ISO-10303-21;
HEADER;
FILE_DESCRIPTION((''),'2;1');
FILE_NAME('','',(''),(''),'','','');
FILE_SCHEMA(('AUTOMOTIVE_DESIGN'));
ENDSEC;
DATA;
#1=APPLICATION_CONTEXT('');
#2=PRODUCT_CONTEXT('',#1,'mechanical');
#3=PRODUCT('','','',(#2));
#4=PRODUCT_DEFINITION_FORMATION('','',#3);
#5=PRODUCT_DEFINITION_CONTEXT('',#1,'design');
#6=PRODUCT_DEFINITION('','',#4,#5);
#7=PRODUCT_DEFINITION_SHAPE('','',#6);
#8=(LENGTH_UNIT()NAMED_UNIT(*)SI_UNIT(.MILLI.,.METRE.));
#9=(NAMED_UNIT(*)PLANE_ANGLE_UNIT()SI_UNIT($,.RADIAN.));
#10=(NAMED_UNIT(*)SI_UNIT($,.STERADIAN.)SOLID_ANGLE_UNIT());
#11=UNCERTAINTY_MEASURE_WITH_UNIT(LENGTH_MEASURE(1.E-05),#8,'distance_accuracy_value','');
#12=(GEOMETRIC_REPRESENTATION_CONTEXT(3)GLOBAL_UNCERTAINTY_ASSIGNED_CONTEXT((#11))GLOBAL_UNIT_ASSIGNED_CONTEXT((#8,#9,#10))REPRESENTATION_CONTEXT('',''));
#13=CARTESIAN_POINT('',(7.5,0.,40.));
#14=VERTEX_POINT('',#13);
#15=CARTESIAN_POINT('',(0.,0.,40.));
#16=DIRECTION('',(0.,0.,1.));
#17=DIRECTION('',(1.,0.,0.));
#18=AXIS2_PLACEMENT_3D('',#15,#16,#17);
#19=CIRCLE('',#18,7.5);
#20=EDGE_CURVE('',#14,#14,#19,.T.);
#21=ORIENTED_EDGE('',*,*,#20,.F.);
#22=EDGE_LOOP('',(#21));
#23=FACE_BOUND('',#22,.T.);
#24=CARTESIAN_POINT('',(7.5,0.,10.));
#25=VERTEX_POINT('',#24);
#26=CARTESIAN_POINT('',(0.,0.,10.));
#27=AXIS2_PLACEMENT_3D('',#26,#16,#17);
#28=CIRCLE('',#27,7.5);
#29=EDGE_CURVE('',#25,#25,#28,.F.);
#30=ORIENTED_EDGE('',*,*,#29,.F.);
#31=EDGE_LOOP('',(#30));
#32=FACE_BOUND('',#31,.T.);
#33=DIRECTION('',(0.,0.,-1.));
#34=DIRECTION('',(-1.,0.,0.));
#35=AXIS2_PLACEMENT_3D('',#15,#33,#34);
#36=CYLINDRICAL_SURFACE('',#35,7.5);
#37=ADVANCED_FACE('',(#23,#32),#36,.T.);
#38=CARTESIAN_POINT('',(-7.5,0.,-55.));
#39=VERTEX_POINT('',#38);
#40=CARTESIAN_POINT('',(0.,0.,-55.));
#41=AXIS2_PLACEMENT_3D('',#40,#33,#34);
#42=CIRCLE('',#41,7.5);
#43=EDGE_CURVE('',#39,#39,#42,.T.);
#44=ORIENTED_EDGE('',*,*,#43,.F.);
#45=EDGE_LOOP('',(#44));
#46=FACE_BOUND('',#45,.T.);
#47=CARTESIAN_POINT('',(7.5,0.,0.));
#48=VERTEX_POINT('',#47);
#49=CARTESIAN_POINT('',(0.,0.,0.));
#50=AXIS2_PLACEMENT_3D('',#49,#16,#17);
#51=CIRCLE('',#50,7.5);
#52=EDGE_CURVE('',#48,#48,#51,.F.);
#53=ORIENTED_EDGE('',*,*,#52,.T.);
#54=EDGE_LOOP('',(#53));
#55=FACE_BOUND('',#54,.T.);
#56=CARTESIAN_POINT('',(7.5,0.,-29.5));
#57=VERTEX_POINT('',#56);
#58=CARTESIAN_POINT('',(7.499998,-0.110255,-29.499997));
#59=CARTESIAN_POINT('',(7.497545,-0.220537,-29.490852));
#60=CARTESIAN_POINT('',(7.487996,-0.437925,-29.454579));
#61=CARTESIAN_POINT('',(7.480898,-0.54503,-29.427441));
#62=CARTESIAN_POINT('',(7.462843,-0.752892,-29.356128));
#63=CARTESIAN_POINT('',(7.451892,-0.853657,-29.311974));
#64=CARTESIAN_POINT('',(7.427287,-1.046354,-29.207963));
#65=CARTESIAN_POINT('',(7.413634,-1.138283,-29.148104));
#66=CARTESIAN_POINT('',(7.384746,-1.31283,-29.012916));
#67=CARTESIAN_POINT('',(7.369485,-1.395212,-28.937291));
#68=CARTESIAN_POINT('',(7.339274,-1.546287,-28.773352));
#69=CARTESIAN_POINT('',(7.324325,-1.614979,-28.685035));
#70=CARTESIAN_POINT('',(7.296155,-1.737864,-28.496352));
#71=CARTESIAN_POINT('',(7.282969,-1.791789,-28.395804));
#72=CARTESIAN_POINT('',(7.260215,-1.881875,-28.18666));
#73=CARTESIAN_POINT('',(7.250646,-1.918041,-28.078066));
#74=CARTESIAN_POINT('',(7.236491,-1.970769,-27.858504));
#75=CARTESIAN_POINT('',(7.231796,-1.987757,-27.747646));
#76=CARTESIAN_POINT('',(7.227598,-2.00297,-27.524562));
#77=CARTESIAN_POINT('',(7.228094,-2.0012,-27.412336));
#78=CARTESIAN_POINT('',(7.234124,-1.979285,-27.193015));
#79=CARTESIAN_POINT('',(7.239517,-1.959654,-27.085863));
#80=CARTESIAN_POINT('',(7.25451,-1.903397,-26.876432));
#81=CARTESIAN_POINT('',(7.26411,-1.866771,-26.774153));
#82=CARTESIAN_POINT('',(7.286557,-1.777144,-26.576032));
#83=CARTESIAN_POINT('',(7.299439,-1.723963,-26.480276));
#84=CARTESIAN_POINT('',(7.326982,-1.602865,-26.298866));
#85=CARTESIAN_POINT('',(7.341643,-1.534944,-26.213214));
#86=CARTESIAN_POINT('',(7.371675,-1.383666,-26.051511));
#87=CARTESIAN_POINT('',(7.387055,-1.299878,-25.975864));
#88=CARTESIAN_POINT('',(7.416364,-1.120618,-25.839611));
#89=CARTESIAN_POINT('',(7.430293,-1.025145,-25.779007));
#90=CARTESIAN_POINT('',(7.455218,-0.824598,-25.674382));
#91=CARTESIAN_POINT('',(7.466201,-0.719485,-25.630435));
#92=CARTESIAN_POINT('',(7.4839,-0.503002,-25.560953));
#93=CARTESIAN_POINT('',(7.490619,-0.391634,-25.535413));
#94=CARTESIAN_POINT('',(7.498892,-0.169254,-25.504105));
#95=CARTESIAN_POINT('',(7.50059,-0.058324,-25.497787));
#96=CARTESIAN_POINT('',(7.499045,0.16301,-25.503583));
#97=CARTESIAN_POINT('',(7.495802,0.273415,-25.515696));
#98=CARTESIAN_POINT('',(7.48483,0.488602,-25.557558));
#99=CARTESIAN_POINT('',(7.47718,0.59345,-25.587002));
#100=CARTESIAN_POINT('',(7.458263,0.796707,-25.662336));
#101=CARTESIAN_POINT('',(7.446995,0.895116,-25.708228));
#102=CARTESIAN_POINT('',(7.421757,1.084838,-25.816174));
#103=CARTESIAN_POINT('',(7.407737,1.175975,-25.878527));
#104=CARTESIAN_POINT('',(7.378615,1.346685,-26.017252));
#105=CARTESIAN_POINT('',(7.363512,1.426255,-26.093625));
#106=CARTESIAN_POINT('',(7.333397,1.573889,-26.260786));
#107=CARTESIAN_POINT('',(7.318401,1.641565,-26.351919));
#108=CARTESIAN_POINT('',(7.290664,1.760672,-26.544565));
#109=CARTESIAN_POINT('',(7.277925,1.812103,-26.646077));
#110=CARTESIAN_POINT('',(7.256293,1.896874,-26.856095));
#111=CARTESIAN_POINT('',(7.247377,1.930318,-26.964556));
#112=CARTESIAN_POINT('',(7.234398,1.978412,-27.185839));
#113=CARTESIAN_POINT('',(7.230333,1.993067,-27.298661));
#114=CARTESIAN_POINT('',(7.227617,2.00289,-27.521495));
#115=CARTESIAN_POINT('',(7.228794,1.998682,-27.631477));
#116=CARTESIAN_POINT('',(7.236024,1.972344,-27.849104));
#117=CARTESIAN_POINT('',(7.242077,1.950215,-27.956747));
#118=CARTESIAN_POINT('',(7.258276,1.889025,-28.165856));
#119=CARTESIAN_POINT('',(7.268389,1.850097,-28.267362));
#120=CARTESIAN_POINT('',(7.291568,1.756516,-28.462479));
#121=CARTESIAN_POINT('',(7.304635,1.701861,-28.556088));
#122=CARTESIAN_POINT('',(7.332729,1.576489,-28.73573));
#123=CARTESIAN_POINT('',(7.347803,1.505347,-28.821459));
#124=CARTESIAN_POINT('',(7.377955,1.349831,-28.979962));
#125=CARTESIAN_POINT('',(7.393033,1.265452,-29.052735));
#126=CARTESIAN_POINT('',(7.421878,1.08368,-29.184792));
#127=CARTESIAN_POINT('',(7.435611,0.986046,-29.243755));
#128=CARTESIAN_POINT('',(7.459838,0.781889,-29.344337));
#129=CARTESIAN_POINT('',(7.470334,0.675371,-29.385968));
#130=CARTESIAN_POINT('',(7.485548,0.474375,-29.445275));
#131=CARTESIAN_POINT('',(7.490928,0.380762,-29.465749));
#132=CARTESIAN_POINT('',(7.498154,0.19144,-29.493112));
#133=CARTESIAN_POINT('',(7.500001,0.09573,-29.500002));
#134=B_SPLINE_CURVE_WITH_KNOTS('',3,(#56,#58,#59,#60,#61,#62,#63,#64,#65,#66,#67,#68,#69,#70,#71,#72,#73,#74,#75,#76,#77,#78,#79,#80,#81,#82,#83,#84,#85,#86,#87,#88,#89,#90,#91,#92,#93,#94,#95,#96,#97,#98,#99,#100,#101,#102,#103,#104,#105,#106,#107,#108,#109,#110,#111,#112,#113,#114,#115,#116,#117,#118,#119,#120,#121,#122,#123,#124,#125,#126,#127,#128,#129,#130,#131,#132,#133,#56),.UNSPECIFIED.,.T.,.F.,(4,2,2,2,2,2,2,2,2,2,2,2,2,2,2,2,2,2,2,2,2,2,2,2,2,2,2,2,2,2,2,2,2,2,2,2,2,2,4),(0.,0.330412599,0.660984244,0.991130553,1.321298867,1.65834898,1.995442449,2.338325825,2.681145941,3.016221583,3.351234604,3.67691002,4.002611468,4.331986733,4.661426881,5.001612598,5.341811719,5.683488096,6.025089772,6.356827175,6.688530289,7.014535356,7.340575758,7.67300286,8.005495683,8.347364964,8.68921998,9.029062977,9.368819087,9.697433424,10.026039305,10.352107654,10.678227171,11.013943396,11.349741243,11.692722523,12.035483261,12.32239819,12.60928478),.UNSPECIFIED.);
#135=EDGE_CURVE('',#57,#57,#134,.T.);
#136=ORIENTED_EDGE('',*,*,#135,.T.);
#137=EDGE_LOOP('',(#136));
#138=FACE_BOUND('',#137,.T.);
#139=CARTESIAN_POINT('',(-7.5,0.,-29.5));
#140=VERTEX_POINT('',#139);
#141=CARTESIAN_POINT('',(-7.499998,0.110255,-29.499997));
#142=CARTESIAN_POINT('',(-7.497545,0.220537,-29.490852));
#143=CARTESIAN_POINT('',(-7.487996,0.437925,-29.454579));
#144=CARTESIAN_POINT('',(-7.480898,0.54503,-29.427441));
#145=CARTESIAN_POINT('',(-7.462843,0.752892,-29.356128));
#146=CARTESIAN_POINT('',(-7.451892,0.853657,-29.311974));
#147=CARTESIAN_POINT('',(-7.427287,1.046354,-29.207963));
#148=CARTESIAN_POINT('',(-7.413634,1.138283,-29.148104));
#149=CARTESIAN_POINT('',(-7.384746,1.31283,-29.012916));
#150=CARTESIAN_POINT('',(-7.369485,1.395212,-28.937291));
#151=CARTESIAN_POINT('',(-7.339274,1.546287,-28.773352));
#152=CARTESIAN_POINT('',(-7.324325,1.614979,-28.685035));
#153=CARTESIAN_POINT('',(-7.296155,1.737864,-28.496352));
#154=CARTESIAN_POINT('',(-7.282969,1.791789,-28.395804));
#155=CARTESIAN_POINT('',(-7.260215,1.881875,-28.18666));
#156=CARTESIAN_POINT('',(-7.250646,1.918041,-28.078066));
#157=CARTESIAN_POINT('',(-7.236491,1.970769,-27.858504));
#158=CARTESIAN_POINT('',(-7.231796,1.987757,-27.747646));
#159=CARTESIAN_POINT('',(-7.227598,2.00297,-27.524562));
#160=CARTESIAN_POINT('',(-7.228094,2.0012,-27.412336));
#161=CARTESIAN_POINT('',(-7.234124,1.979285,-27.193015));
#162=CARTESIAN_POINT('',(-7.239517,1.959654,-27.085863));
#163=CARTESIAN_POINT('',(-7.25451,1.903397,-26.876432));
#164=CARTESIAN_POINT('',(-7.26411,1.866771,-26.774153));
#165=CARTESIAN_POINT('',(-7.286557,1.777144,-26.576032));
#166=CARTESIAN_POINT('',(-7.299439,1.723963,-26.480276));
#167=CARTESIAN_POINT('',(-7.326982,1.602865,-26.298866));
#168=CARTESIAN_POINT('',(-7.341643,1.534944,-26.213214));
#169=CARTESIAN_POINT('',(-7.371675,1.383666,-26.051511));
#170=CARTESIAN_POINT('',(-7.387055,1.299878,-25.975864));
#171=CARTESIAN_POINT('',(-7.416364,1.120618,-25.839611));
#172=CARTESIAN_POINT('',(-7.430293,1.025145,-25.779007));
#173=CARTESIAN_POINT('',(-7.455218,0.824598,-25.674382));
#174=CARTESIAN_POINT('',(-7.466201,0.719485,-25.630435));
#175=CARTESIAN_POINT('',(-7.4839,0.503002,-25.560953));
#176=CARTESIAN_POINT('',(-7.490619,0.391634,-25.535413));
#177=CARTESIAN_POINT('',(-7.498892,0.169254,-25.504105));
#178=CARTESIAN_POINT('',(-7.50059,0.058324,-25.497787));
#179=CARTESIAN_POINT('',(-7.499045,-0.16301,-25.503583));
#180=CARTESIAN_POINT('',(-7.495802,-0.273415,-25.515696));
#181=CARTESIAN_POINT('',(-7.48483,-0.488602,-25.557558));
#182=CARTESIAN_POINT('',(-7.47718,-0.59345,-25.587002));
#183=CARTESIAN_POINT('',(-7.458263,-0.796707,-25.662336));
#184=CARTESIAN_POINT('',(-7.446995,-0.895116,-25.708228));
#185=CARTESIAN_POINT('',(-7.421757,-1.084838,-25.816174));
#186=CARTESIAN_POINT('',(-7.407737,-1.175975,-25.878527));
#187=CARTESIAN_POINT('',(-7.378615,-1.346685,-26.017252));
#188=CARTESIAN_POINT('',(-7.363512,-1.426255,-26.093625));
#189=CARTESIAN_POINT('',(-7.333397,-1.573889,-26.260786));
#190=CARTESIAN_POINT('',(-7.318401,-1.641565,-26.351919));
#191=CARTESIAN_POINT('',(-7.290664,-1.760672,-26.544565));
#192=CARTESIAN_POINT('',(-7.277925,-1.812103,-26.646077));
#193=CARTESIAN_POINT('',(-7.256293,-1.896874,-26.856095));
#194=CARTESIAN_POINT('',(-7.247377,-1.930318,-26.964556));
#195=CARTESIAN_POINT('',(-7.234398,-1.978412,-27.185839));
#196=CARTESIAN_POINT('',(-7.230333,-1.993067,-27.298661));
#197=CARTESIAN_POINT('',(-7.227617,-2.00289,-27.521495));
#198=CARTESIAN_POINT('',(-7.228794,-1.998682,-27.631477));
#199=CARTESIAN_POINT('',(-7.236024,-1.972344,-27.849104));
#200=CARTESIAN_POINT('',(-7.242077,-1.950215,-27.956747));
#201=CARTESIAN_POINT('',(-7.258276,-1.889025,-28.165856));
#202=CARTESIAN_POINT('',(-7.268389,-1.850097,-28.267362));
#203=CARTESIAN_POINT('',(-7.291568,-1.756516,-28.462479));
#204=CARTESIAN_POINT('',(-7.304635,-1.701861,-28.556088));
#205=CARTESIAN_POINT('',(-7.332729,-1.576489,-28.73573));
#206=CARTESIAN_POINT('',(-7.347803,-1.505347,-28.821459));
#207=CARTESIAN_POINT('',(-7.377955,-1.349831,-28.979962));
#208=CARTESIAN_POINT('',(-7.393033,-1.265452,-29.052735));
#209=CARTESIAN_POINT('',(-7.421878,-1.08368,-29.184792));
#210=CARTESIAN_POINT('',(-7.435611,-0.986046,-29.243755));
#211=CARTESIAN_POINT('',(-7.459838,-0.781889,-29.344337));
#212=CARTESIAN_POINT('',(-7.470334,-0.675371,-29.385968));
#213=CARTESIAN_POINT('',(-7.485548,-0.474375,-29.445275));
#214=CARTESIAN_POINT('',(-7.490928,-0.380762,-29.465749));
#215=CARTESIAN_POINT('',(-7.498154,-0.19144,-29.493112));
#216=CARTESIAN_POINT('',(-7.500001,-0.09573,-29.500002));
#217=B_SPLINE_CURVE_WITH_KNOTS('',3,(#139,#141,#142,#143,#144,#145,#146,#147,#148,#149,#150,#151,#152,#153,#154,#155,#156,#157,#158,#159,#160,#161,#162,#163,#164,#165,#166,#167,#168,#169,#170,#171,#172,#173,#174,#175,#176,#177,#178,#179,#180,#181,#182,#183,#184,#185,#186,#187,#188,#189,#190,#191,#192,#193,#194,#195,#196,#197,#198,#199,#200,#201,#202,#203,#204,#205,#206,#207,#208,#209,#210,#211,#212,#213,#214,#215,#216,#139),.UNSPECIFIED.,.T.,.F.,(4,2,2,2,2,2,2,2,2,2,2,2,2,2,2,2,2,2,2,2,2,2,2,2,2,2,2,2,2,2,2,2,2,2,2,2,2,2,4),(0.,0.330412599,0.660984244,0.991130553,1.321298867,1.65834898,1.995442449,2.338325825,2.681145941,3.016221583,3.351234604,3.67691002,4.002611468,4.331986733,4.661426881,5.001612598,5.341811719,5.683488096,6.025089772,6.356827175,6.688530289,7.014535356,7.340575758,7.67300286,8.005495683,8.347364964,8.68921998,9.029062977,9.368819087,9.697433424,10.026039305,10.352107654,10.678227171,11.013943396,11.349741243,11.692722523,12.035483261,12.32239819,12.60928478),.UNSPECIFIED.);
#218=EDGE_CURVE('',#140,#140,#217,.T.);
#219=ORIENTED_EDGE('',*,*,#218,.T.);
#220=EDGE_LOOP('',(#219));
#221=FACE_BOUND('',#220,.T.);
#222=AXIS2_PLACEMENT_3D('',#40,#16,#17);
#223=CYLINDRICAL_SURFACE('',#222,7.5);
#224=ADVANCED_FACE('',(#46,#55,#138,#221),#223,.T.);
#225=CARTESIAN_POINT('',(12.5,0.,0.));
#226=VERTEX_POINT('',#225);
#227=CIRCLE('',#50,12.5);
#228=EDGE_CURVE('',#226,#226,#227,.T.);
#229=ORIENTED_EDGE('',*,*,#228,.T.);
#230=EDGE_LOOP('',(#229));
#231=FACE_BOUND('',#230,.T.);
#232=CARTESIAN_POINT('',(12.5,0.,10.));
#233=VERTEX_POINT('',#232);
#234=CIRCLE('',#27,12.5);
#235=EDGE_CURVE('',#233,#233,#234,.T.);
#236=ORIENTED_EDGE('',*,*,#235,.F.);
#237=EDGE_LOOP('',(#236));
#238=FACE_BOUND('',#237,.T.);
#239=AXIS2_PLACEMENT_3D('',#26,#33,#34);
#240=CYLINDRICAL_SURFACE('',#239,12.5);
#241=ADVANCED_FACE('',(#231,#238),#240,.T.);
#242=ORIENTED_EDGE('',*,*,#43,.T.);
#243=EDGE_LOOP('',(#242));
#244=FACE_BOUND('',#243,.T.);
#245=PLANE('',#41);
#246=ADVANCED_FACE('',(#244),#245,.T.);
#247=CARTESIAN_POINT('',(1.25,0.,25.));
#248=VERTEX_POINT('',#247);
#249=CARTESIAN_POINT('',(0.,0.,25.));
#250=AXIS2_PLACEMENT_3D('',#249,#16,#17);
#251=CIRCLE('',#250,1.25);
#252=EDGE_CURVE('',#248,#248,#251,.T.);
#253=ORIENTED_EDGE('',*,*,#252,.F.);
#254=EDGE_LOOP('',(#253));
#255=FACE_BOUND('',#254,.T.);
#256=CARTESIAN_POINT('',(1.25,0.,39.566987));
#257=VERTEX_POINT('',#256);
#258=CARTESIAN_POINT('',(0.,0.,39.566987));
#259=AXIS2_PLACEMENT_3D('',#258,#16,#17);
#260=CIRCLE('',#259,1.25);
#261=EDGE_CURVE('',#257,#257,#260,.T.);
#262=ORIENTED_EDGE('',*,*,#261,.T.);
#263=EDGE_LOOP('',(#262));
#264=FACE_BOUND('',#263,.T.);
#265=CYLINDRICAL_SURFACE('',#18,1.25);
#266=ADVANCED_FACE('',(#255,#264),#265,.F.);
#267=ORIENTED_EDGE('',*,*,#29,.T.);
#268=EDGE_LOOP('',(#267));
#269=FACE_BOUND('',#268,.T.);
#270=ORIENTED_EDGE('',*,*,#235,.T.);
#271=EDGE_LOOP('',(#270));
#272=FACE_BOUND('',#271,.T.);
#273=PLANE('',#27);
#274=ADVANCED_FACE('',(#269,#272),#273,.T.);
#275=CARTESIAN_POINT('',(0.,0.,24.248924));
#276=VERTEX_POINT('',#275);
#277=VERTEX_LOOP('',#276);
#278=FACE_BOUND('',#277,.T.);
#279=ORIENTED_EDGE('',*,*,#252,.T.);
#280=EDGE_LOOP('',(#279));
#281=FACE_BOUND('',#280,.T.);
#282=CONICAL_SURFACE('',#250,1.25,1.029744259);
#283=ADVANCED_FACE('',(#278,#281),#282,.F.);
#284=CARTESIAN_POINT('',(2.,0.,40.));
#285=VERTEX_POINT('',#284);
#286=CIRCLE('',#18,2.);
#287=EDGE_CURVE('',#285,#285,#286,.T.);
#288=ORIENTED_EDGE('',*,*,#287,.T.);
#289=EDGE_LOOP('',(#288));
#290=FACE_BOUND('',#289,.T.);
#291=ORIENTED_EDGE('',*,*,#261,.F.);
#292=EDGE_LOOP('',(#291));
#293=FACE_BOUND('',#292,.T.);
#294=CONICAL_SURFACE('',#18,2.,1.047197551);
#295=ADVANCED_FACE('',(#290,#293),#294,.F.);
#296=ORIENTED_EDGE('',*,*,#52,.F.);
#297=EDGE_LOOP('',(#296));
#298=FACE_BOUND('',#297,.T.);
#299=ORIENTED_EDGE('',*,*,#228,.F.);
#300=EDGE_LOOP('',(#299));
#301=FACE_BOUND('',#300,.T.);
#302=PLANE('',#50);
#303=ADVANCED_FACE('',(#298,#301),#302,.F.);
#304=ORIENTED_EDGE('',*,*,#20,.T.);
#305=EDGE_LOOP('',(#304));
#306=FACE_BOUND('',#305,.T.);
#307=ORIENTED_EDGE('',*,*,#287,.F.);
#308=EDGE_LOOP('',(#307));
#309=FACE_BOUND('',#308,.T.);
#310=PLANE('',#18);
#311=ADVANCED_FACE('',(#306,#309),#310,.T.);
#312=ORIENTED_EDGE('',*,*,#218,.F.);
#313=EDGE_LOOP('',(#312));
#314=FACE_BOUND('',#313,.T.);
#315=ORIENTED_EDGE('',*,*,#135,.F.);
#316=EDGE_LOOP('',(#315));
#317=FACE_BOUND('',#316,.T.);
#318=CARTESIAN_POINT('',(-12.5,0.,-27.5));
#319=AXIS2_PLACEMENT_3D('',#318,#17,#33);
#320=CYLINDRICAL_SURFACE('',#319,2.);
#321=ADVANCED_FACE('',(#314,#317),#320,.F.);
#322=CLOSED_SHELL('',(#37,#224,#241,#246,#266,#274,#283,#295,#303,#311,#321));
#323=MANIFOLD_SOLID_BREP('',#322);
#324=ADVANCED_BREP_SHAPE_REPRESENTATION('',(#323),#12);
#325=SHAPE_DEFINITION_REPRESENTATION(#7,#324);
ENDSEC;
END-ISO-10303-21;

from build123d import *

# Parameters (mm, degrees)
SKETCH1_R                       = 12.5
F_25MM_DIA_DEPTH                = 10
F_15MM_START                    = -10
SKETCH2_R                       = 7.5
F_15MM_DIA_BEARING_END_DEPTH    = 40
F_15MM_START_2                  = 55
SKETCH3_R                       = 7.5
F_15MM_DIA_GEAR_END_DEPTH       = 55
M3X0_5_TAPPED_HOLE1_D           = 2.5
M3X0_5_TAPPED_HOLE1_DEPTH       = 15
M3X0_5_TAPPED_HOLE1_CSINK_D     = 4
M3X0_5_TAPPED_HOLE1_CSINK_ANGLE = 120
M3X0_5_TAPPED_HOLE1_TIP         = 0.751075774
SKETCH7_R                       = 2
CUT_EXTRUDE1_DEPTH              = 60.843546018


with BuildPart() as part:
    # Sketch1 → 25mm dia (new body)
    with BuildSketch(Plane.XY):
        Circle(SKETCH1_R)
    extrude(amount=F_25MM_DIA_DEPTH)

    # Sketch2 → 15mm dia bearing end (add)
    with BuildSketch(Plane.XY.offset(10).offset(F_15MM_START)):
        Circle(SKETCH2_R)
    extrude(amount=F_15MM_DIA_BEARING_END_DEPTH)

    # Sketch3 → 15mm dia gear end (add)
    with BuildSketch(Plane(origin=(0, 0, 0), x_dir=(-1, 0, 0), z_dir=(0, 0, -1)).offset(F_15MM_START_2)):
        with Locations(Location((0, 0, 0), (0, 0, 180))):
            Circle(SKETCH3_R)
    extrude(amount=-F_15MM_DIA_GEAR_END_DEPTH)

    # M3x0.5 Tapped Hole1
    with Locations(Plane.XY.offset(40)):
        with Locations((0, 0)):
            CounterSinkHole(M3X0_5_TAPPED_HOLE1_D / 2, M3X0_5_TAPPED_HOLE1_CSINK_D / 2, depth=M3X0_5_TAPPED_HOLE1_DEPTH, counter_sink_angle=M3X0_5_TAPPED_HOLE1_CSINK_ANGLE)
            with Locations((0, 0, -(M3X0_5_TAPPED_HOLE1_DEPTH + M3X0_5_TAPPED_HOLE1_TIP / 2))):  # 118° drill point
                Cone(0, M3X0_5_TAPPED_HOLE1_D / 2, M3X0_5_TAPPED_HOLE1_TIP, mode=Mode.SUBTRACT)

    # Sketch7 → Cut-Extrude1 (cut, through all)
    with BuildSketch(Plane(origin=(7.5, 0, 0), x_dir=(0, 0, -1), z_dir=(1, 0, 0))):
        with Locations((27.5, 0)):
            Circle(SKETCH7_R)
    extrude(amount=-CUT_EXTRUDE1_DEPTH, mode=Mode.SUBTRACT)


solid = part.part
